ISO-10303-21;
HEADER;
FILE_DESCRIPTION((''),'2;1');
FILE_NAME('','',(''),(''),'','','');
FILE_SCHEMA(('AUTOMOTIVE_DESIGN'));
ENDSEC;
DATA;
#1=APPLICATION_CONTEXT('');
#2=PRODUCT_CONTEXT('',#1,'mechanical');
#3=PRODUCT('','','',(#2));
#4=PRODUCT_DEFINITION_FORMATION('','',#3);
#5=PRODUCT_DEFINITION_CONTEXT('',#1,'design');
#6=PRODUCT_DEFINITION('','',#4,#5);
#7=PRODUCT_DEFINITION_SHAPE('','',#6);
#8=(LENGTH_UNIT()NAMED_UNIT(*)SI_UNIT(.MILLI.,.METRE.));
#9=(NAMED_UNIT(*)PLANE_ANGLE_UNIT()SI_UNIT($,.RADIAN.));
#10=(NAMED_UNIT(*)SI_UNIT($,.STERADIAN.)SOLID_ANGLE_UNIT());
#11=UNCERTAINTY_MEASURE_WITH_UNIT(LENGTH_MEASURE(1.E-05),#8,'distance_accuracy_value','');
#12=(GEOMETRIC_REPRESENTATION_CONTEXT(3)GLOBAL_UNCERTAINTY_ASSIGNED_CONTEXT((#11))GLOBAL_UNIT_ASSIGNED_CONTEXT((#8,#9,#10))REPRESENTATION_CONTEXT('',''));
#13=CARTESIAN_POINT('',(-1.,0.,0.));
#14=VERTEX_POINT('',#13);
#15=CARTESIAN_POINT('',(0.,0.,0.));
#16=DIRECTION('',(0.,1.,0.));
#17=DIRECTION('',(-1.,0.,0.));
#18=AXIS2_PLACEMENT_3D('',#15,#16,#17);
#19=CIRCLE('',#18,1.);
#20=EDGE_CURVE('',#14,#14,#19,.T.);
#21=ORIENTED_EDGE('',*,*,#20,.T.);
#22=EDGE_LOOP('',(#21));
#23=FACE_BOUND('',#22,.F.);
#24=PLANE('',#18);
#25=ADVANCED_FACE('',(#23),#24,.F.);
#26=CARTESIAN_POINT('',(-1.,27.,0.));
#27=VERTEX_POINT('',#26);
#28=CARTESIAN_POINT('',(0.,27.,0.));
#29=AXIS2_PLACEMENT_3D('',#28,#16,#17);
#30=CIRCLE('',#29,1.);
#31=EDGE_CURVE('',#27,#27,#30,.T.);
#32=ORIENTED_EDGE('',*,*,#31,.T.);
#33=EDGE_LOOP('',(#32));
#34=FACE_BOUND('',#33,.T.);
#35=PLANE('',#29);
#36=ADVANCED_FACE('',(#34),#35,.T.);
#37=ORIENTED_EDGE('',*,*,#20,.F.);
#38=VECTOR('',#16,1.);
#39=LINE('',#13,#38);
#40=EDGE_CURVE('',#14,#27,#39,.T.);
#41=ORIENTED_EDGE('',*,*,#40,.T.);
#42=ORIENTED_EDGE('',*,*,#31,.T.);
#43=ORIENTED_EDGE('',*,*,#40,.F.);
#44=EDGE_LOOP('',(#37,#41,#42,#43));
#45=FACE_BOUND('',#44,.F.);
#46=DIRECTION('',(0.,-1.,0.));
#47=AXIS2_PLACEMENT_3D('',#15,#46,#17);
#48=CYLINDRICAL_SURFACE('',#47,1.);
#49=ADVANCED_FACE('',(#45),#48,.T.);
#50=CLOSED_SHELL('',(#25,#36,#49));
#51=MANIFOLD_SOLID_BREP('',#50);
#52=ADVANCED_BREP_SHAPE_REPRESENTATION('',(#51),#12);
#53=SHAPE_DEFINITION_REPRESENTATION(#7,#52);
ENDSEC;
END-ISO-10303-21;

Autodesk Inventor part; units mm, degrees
ref_plane "YZ Plane" through (0, 0, 0) normal (1, 0, 0) x (0, 1, 0)
ref_plane "XZ Plane" through (0, 0, 0) normal (0, 1, 0) x (-1, 0, 0)
ref_plane "XY Plane" through (0, 0, 0) normal (0, 0, 1) x (1, 0, 0)
sketch "Sketch1" plane through (0, 0, 0) normal (0, 1, 0) x (-1, 0, 0)
  circle A0 centre (0, 0) radius 1
  dimension "d0" = 2
extrude "Extrusion1" add sketch "Sketch1" along normal blind 27
properties part number "LaserBeamMirrorAngle2"
